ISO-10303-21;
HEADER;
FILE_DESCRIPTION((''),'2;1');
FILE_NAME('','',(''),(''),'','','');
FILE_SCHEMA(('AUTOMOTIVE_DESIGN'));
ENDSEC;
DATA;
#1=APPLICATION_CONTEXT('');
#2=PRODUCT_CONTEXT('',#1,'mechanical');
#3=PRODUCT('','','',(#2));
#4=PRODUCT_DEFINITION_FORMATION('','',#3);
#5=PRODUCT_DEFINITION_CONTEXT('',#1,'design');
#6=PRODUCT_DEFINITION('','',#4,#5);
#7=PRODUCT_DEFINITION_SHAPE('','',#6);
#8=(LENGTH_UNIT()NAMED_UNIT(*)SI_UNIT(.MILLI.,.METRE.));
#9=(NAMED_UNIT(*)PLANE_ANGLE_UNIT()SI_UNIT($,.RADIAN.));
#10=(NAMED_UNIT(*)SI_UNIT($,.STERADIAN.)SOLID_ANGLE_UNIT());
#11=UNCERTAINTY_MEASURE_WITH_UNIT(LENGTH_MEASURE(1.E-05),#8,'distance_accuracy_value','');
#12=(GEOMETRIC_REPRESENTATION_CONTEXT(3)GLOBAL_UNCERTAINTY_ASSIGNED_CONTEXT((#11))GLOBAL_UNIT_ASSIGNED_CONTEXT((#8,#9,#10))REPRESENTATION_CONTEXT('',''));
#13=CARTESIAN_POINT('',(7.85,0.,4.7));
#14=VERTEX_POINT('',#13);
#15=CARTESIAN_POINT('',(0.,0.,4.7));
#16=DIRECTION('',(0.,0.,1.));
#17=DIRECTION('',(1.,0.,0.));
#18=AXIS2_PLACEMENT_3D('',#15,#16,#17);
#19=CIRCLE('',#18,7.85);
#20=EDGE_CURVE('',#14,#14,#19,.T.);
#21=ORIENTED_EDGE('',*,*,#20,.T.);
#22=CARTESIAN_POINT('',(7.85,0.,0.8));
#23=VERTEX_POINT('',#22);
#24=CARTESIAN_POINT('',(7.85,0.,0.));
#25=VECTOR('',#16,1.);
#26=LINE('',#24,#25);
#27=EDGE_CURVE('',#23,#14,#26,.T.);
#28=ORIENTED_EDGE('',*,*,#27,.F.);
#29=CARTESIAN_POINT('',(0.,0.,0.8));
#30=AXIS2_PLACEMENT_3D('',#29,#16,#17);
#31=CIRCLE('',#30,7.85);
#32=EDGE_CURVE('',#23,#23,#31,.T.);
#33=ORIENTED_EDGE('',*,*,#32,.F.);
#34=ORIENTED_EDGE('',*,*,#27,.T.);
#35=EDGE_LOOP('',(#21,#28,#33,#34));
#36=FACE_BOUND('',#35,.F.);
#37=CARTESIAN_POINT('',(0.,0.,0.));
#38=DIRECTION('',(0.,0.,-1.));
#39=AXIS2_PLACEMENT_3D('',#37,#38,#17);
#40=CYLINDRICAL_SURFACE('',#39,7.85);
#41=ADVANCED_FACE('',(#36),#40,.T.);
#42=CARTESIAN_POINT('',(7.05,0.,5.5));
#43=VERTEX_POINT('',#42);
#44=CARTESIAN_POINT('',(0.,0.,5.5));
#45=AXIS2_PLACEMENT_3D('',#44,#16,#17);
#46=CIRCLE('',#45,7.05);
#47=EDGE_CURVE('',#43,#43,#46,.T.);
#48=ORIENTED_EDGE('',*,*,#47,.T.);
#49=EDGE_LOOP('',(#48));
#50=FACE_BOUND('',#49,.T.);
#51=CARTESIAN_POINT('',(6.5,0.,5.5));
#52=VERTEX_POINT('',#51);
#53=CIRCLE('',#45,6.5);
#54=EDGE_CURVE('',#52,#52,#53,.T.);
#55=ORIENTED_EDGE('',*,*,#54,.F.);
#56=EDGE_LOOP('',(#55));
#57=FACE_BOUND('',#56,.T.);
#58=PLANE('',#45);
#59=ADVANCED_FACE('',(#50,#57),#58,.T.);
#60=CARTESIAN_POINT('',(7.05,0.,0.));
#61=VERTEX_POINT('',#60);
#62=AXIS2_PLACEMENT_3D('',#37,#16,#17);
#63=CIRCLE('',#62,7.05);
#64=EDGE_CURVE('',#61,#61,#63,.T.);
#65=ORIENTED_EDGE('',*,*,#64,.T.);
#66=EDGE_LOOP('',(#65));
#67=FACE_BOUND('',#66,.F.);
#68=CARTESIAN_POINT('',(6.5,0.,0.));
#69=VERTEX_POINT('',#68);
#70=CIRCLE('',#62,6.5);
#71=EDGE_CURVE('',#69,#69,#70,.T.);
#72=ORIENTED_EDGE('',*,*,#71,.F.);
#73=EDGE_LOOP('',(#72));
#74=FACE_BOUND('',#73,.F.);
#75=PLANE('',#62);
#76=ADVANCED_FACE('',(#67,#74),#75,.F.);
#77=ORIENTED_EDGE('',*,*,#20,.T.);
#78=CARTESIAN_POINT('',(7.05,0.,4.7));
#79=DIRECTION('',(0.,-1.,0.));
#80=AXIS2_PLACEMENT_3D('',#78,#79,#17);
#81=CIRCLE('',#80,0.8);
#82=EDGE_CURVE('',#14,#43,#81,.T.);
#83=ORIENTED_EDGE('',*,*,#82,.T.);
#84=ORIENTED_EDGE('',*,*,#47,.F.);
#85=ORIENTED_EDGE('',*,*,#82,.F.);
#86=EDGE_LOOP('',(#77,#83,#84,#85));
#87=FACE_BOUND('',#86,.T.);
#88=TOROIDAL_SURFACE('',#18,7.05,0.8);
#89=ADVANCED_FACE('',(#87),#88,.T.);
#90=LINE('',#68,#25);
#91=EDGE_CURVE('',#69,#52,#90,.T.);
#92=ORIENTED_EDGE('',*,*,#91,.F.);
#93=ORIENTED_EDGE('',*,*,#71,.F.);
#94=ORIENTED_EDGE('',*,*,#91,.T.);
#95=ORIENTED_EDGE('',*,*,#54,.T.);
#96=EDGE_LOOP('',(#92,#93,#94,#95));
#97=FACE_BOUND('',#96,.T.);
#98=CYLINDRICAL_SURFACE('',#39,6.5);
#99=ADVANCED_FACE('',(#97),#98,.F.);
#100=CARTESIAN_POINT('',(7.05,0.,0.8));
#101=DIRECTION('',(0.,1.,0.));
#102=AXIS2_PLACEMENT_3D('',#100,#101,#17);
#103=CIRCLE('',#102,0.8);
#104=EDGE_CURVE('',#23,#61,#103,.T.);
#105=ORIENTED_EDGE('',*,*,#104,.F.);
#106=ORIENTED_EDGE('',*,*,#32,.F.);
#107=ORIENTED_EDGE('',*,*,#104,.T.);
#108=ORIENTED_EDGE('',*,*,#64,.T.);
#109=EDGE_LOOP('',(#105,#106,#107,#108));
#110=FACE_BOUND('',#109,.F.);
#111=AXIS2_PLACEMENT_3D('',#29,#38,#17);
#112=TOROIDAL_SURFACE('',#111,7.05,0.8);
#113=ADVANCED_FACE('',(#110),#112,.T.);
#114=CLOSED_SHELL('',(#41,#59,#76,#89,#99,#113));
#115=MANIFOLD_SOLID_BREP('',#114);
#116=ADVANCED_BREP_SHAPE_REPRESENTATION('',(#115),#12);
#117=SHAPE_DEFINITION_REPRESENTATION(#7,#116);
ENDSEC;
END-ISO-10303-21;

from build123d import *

# Parameters (mm, degrees)
SKETCH_R   = 7.85
SKETCH_R_2 = 6.5
PAD_DEPTH  = 5.5
FILLET_R   = 0.8


with BuildPart() as part:
    # Sketch → Pad (new body)
    with BuildSketch(Plane.XY):
        Circle(SKETCH_R)
        Circle(SKETCH_R_2, mode=Mode.SUBTRACT)
    extrude(amount=PAD_DEPTH)

    # Fillet
    fillet_edges = [part.edges().sort_by_distance(p)[0] for p in [
        (7.85, 0, 2.75),
        (-7.85, 0, 0),
        (-7.85, 0, 5.5),
    ]]
    fillet(fillet_edges, radius=FILLET_R)


solid = part.part
